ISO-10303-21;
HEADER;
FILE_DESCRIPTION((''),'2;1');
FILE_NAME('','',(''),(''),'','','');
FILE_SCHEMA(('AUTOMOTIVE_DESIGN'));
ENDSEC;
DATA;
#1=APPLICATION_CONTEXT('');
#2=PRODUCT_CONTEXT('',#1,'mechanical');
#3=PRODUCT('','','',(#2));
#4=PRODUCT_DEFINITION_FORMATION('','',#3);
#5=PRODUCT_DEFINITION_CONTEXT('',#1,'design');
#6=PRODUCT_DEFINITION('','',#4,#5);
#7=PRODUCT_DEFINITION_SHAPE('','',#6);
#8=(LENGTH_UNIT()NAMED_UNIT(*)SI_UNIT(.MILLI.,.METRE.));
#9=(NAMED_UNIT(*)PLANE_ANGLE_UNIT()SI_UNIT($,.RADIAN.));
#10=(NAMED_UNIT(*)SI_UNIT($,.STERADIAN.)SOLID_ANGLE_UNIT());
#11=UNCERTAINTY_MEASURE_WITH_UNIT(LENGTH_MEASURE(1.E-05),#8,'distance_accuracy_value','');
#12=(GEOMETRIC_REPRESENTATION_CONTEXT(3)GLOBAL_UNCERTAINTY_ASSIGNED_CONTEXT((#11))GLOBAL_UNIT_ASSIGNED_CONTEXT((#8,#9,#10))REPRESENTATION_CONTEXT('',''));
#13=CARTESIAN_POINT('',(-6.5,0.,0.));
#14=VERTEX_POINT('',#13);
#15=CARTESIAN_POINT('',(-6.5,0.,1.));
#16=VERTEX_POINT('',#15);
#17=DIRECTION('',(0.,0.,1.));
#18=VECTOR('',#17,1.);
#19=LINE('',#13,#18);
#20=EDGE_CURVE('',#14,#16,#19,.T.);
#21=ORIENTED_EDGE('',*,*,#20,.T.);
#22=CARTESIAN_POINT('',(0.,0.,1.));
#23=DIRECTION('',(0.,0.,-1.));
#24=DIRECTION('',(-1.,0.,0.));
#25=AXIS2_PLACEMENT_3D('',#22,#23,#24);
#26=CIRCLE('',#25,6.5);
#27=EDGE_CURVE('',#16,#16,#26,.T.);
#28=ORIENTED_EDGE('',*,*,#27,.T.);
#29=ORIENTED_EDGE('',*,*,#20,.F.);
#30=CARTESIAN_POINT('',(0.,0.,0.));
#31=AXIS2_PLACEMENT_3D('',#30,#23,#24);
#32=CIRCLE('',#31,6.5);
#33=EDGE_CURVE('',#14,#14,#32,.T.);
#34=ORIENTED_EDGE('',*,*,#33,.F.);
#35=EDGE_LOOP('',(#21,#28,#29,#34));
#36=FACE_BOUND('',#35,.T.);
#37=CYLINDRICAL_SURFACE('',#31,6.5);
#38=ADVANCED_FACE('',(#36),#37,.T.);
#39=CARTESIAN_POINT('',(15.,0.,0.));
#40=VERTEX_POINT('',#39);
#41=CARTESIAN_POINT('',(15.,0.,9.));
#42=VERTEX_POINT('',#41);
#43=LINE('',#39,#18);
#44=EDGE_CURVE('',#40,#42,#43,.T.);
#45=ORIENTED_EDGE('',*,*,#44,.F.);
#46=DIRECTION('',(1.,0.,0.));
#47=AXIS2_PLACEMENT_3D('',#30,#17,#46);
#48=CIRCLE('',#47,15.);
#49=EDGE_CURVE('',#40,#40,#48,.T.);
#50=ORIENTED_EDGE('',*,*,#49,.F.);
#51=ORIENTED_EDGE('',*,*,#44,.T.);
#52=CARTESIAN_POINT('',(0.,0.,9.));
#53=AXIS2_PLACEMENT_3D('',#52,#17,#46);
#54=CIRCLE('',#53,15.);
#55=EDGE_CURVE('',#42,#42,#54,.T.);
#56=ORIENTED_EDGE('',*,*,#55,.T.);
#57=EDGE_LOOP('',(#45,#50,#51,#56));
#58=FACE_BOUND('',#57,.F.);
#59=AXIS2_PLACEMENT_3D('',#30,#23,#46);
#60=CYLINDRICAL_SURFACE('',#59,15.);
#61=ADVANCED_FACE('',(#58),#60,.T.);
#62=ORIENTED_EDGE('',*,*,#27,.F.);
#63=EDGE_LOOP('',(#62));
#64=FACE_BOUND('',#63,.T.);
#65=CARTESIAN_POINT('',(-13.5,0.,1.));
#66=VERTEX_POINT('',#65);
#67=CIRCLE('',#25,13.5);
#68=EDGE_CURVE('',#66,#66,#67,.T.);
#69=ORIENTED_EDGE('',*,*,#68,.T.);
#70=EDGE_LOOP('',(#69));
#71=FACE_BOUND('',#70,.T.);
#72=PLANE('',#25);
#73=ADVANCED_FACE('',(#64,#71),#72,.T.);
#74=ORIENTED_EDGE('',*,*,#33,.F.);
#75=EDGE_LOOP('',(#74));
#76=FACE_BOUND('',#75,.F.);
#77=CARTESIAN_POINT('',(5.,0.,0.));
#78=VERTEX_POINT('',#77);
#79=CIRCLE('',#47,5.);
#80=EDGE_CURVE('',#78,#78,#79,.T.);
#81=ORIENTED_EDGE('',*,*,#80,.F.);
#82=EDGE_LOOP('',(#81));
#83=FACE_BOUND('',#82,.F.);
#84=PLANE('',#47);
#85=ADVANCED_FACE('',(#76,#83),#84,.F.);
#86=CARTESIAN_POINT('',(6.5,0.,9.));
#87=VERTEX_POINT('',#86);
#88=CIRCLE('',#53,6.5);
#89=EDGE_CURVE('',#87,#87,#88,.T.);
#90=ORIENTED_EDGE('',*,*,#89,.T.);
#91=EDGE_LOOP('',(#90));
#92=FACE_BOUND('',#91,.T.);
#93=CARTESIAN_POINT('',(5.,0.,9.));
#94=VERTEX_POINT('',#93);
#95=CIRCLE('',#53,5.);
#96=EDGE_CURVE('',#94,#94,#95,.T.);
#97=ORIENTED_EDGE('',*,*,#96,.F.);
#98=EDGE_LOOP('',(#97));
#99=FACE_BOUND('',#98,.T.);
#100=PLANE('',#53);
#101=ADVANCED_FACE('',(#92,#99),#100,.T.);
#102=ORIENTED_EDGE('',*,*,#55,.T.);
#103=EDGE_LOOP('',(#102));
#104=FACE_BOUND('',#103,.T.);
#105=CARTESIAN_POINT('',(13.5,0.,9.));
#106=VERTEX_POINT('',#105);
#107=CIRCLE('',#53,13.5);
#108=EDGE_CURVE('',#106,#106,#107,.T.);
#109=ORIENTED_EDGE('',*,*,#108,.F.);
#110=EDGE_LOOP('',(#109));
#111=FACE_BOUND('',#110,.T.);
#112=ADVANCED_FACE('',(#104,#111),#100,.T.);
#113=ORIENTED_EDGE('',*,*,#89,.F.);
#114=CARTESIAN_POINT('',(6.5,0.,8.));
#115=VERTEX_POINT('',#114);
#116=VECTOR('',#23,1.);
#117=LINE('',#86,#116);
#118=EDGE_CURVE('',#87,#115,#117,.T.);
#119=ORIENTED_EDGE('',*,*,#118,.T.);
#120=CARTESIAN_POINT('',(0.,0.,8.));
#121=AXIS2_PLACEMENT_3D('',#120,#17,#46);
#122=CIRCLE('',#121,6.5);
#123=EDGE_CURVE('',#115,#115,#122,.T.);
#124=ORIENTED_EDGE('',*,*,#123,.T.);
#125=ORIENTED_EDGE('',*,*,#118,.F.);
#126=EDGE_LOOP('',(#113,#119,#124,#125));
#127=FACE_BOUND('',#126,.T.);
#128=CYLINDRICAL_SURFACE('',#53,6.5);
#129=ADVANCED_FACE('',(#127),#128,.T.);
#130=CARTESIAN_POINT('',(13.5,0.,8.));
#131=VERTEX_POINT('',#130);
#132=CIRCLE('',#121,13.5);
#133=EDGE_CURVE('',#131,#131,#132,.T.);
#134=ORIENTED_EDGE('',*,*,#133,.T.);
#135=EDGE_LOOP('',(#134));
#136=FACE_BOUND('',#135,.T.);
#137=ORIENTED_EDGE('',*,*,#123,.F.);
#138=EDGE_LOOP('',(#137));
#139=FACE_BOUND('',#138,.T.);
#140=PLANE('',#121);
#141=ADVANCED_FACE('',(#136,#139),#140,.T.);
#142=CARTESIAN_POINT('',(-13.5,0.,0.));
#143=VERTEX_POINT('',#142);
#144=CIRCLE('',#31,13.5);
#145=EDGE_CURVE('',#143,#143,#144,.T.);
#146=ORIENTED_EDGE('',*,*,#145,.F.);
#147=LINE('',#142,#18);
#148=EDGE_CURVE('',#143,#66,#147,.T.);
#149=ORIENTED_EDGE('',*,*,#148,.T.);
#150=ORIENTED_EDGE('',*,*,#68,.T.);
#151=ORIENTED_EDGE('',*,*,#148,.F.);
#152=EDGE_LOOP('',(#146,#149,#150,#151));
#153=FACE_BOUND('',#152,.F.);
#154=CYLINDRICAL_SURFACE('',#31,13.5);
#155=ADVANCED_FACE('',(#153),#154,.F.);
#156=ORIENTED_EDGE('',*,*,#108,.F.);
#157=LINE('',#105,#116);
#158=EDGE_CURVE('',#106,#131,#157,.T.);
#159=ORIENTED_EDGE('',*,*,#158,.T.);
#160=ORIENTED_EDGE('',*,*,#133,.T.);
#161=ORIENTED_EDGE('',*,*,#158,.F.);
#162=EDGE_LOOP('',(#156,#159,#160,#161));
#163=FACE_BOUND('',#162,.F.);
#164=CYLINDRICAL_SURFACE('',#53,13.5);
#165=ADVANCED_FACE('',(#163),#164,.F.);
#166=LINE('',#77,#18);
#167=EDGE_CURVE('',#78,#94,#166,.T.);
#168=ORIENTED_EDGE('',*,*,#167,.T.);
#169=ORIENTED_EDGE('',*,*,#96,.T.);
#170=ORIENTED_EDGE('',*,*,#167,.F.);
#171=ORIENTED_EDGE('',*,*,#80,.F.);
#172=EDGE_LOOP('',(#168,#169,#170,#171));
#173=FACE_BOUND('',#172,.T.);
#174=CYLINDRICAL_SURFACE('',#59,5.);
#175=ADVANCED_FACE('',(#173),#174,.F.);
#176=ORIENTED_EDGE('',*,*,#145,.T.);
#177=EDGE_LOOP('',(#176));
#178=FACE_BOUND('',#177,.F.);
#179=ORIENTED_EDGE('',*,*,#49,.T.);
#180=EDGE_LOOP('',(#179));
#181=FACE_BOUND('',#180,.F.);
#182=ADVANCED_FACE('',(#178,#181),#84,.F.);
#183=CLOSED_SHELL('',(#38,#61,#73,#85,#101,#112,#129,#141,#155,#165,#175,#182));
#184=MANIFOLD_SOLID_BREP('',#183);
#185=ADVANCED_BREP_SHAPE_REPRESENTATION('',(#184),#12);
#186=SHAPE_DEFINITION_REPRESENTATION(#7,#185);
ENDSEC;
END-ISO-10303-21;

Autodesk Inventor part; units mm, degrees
ref_plane "YZ Plane" through (0, 0, 0) normal (1, 0, 0) x (0, 1, 0)
ref_plane "XZ Plane" through (0, 0, 0) normal (0, 1, 0) x (-1, 0, 0)
ref_plane "XY Plane" through (0, 0, 0) normal (0, 0, 1) x (1, 0, 0)
sketch "Szkic1" plane through (0, 0, 0) normal (0, 0, 1) x (1, 0, 0)
  circle A0 centre (0, 0) radius 5
  circle A1 centre (0, 0) radius 15
  dimension "d0" = 10
  dimension "d1" = 30
extrude "Wyciągnięcie proste1" add sketch "Szkic1" along normal blind 9
sketch "Szkic2" plane through (0, 0, 9) normal (0, 0, 1) x (1, 0, 0)
  circle A0 centre (0, 0) radius 5 projected
  circle A1 centre (0, 0) radius 15 projected
  circle A2 centre (0, 0) radius 6.5
  circle A3 centre (0, 0) radius 13.5
  dimension "d4" = 13
  dimension "d5" = 27
extrude "Wyciągnięcie proste2" cut sketch "Szkic2" against normal blind 1 contours A3
sketch "Szkic3" plane through (0, 0, 0) normal (0, 0, -1) x (-1, 0, 0)
  circle A0 centre (0, 0) radius 6.5
  circle A1 centre (0, 0) radius 13.5
  dimension "d8" = 13
  dimension "d9" = 27
extrude "Wyciągnięcie proste3" cut sketch "Szkic3" against normal blind 1
properties part number "Łożysko kulowe jednorzędowe 6200 2RS"
